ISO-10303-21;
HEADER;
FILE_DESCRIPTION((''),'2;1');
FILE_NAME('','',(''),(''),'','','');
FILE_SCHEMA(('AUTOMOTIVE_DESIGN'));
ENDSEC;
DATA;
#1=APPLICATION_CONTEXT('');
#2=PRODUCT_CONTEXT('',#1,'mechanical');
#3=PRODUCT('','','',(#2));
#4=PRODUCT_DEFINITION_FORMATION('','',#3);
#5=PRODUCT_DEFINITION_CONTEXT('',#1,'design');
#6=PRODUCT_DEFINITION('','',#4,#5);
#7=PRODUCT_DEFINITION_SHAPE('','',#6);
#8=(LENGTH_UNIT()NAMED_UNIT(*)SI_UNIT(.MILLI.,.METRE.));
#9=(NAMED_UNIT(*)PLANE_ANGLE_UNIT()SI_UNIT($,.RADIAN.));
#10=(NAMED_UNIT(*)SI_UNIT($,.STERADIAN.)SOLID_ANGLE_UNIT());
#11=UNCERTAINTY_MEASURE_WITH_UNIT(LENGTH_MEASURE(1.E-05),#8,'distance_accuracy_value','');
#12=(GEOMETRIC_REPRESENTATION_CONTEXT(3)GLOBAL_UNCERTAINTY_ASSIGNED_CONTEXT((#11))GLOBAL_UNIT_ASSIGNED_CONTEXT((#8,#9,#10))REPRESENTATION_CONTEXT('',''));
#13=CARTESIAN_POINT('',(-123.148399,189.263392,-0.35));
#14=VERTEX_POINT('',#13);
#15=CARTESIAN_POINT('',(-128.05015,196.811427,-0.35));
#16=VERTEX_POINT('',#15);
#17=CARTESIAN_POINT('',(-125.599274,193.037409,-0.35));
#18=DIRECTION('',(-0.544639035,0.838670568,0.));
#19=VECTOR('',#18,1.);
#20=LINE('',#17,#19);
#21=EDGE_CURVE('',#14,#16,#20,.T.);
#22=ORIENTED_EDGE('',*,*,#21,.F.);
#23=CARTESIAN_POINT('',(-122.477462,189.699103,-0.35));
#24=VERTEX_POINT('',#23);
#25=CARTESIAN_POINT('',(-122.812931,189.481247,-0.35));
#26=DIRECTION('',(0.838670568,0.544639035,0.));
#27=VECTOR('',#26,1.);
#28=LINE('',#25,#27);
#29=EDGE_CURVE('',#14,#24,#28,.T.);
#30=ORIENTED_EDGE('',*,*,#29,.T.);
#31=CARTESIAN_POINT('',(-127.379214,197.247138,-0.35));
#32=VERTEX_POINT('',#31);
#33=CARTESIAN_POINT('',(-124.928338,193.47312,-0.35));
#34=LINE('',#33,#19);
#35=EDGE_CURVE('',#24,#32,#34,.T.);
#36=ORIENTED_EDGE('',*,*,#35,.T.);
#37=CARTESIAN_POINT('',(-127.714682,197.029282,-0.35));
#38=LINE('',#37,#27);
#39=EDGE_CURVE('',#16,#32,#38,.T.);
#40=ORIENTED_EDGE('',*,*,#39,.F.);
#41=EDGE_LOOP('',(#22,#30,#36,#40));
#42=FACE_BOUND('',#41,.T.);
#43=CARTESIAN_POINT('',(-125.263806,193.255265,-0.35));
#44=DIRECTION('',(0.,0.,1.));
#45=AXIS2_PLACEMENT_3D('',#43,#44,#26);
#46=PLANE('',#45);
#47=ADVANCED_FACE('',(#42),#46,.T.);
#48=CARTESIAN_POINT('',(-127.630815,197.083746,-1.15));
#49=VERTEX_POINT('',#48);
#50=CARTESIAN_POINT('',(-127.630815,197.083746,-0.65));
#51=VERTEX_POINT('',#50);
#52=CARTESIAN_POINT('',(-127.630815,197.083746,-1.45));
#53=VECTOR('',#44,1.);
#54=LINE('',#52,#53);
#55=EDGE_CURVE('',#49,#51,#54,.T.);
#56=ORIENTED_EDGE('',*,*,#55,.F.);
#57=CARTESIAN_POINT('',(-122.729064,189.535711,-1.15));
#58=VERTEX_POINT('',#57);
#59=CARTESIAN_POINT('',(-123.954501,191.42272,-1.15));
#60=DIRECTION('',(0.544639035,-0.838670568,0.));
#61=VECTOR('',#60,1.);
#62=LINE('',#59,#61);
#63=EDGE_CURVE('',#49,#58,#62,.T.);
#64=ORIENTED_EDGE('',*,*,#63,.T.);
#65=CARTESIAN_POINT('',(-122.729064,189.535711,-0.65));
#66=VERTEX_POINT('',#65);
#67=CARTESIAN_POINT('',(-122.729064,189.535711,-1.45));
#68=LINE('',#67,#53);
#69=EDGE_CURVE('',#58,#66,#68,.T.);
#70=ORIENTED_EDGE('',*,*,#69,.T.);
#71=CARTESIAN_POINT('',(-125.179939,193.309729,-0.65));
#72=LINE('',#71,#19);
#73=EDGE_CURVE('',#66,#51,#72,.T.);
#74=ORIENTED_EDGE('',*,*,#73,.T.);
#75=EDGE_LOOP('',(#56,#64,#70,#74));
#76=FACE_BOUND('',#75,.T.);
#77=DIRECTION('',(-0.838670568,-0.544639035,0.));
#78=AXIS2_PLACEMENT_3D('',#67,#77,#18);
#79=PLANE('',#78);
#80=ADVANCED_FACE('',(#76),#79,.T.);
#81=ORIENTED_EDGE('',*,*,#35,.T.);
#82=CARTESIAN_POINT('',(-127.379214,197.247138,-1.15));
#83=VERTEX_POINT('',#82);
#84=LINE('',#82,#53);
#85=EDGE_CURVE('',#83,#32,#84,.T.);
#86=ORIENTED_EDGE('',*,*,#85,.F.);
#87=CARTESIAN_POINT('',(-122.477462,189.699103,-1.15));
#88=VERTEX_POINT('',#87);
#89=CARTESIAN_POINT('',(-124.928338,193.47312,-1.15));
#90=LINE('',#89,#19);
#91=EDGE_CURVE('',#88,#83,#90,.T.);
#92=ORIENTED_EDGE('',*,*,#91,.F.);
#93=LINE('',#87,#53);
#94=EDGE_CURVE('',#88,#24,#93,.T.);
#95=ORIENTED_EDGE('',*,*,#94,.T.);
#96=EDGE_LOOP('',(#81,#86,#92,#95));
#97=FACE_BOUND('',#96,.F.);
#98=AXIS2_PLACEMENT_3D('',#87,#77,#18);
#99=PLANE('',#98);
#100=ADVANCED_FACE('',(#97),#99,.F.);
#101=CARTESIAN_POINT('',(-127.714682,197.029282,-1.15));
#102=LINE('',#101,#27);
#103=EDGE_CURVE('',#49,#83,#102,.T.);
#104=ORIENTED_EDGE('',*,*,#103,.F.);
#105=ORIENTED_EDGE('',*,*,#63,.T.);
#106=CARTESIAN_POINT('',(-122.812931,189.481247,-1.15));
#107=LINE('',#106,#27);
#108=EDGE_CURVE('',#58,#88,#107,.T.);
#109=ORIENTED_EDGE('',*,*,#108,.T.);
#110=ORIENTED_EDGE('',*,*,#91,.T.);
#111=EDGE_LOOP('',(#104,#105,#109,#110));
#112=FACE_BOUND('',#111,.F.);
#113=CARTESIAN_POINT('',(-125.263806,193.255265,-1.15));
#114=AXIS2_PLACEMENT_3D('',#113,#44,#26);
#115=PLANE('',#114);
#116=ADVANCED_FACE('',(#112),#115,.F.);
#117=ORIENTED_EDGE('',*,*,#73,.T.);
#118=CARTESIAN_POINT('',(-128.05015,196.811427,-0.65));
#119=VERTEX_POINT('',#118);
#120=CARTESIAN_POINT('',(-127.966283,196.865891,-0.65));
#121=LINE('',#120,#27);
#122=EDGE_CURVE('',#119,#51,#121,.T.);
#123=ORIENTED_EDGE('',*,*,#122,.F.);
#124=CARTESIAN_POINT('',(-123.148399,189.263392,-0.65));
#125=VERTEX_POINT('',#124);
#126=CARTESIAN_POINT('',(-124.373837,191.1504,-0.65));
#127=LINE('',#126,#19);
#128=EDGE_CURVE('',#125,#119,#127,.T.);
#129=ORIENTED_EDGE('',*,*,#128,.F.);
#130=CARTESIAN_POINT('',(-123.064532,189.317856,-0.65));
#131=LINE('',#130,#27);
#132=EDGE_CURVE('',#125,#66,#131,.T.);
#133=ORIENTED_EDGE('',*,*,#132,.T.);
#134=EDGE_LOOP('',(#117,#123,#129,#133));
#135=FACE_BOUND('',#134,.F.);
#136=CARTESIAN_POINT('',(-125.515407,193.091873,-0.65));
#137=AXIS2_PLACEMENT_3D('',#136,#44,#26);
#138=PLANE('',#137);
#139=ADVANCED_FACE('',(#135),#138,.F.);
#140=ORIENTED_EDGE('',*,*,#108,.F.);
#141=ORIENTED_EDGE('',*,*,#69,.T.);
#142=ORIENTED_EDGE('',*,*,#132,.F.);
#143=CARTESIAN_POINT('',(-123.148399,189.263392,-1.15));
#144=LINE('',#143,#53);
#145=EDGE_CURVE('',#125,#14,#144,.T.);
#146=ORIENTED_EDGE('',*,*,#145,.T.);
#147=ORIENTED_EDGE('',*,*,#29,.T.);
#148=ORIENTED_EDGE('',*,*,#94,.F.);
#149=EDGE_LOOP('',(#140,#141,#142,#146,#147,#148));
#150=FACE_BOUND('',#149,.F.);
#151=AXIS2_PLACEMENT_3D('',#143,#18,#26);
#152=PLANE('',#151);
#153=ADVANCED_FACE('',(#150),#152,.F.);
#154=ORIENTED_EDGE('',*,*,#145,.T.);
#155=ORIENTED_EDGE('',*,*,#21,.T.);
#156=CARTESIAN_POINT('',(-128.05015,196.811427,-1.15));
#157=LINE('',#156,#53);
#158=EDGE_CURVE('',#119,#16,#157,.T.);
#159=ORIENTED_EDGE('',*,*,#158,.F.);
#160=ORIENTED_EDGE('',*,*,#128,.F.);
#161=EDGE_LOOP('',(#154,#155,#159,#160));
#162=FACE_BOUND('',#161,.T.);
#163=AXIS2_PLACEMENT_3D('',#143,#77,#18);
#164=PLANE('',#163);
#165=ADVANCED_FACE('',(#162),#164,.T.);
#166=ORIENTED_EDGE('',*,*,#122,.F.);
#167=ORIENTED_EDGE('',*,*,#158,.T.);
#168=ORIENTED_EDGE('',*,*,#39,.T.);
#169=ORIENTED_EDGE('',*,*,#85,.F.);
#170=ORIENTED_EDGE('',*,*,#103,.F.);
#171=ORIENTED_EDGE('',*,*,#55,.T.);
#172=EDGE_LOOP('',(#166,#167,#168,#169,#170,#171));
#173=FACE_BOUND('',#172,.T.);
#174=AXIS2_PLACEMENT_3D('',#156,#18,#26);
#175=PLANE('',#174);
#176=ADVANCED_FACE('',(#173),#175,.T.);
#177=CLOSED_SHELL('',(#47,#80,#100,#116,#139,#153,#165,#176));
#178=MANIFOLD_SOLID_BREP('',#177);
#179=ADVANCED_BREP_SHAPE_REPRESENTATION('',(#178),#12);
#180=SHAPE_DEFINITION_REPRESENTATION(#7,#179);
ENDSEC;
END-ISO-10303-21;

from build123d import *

# Parameters (mm, degrees)
BOX141_W               = 0.8
BOX141_H               = 9
BOX141_DEPTH           = 0.8
BOX142_W               = 0.8
BOX142_H               = 9
BOX142_DEPTH           = 0.8
CUT074_PLACEMENT_ANGLE = 33


with BuildPart() as cubo141:
    # Box141 → Box141 (new body)
    with BuildSketch(Plane.XY):
        with Locations((0.4, 4.5)):
            Rectangle(BOX141_W, BOX141_H)
    extrude(amount=BOX141_DEPTH)


with BuildPart() as perfil_l_2da_cara016:
    # Box142 → Box142 (new body)
    with BuildSketch(Plane(origin=(0.3, 0, 0.3), x_dir=(1, 0, 0), z_dir=(0, 0, 1))):
        with Locations((0.4, 4.5)):
            Rectangle(BOX142_W, BOX142_H)
    extrude(amount=BOX142_DEPTH)

    # Cut074: cut Cubo141
    add(cubo141.part, mode=Mode.SUBTRACT)


with BuildPart() as perfil_l_2da_cara016_1:
    # Cut074 placement: moved
    add(perfil_l_2da_cara016.part.moved(Location((-123.4, 189.1, -1.45))).rotate(Axis((-123.4, 189.1, -1.45), (0, 0, 1)), CUT074_PLACEMENT_ANGLE))


solid = perfil_l_2da_cara016_1.part
